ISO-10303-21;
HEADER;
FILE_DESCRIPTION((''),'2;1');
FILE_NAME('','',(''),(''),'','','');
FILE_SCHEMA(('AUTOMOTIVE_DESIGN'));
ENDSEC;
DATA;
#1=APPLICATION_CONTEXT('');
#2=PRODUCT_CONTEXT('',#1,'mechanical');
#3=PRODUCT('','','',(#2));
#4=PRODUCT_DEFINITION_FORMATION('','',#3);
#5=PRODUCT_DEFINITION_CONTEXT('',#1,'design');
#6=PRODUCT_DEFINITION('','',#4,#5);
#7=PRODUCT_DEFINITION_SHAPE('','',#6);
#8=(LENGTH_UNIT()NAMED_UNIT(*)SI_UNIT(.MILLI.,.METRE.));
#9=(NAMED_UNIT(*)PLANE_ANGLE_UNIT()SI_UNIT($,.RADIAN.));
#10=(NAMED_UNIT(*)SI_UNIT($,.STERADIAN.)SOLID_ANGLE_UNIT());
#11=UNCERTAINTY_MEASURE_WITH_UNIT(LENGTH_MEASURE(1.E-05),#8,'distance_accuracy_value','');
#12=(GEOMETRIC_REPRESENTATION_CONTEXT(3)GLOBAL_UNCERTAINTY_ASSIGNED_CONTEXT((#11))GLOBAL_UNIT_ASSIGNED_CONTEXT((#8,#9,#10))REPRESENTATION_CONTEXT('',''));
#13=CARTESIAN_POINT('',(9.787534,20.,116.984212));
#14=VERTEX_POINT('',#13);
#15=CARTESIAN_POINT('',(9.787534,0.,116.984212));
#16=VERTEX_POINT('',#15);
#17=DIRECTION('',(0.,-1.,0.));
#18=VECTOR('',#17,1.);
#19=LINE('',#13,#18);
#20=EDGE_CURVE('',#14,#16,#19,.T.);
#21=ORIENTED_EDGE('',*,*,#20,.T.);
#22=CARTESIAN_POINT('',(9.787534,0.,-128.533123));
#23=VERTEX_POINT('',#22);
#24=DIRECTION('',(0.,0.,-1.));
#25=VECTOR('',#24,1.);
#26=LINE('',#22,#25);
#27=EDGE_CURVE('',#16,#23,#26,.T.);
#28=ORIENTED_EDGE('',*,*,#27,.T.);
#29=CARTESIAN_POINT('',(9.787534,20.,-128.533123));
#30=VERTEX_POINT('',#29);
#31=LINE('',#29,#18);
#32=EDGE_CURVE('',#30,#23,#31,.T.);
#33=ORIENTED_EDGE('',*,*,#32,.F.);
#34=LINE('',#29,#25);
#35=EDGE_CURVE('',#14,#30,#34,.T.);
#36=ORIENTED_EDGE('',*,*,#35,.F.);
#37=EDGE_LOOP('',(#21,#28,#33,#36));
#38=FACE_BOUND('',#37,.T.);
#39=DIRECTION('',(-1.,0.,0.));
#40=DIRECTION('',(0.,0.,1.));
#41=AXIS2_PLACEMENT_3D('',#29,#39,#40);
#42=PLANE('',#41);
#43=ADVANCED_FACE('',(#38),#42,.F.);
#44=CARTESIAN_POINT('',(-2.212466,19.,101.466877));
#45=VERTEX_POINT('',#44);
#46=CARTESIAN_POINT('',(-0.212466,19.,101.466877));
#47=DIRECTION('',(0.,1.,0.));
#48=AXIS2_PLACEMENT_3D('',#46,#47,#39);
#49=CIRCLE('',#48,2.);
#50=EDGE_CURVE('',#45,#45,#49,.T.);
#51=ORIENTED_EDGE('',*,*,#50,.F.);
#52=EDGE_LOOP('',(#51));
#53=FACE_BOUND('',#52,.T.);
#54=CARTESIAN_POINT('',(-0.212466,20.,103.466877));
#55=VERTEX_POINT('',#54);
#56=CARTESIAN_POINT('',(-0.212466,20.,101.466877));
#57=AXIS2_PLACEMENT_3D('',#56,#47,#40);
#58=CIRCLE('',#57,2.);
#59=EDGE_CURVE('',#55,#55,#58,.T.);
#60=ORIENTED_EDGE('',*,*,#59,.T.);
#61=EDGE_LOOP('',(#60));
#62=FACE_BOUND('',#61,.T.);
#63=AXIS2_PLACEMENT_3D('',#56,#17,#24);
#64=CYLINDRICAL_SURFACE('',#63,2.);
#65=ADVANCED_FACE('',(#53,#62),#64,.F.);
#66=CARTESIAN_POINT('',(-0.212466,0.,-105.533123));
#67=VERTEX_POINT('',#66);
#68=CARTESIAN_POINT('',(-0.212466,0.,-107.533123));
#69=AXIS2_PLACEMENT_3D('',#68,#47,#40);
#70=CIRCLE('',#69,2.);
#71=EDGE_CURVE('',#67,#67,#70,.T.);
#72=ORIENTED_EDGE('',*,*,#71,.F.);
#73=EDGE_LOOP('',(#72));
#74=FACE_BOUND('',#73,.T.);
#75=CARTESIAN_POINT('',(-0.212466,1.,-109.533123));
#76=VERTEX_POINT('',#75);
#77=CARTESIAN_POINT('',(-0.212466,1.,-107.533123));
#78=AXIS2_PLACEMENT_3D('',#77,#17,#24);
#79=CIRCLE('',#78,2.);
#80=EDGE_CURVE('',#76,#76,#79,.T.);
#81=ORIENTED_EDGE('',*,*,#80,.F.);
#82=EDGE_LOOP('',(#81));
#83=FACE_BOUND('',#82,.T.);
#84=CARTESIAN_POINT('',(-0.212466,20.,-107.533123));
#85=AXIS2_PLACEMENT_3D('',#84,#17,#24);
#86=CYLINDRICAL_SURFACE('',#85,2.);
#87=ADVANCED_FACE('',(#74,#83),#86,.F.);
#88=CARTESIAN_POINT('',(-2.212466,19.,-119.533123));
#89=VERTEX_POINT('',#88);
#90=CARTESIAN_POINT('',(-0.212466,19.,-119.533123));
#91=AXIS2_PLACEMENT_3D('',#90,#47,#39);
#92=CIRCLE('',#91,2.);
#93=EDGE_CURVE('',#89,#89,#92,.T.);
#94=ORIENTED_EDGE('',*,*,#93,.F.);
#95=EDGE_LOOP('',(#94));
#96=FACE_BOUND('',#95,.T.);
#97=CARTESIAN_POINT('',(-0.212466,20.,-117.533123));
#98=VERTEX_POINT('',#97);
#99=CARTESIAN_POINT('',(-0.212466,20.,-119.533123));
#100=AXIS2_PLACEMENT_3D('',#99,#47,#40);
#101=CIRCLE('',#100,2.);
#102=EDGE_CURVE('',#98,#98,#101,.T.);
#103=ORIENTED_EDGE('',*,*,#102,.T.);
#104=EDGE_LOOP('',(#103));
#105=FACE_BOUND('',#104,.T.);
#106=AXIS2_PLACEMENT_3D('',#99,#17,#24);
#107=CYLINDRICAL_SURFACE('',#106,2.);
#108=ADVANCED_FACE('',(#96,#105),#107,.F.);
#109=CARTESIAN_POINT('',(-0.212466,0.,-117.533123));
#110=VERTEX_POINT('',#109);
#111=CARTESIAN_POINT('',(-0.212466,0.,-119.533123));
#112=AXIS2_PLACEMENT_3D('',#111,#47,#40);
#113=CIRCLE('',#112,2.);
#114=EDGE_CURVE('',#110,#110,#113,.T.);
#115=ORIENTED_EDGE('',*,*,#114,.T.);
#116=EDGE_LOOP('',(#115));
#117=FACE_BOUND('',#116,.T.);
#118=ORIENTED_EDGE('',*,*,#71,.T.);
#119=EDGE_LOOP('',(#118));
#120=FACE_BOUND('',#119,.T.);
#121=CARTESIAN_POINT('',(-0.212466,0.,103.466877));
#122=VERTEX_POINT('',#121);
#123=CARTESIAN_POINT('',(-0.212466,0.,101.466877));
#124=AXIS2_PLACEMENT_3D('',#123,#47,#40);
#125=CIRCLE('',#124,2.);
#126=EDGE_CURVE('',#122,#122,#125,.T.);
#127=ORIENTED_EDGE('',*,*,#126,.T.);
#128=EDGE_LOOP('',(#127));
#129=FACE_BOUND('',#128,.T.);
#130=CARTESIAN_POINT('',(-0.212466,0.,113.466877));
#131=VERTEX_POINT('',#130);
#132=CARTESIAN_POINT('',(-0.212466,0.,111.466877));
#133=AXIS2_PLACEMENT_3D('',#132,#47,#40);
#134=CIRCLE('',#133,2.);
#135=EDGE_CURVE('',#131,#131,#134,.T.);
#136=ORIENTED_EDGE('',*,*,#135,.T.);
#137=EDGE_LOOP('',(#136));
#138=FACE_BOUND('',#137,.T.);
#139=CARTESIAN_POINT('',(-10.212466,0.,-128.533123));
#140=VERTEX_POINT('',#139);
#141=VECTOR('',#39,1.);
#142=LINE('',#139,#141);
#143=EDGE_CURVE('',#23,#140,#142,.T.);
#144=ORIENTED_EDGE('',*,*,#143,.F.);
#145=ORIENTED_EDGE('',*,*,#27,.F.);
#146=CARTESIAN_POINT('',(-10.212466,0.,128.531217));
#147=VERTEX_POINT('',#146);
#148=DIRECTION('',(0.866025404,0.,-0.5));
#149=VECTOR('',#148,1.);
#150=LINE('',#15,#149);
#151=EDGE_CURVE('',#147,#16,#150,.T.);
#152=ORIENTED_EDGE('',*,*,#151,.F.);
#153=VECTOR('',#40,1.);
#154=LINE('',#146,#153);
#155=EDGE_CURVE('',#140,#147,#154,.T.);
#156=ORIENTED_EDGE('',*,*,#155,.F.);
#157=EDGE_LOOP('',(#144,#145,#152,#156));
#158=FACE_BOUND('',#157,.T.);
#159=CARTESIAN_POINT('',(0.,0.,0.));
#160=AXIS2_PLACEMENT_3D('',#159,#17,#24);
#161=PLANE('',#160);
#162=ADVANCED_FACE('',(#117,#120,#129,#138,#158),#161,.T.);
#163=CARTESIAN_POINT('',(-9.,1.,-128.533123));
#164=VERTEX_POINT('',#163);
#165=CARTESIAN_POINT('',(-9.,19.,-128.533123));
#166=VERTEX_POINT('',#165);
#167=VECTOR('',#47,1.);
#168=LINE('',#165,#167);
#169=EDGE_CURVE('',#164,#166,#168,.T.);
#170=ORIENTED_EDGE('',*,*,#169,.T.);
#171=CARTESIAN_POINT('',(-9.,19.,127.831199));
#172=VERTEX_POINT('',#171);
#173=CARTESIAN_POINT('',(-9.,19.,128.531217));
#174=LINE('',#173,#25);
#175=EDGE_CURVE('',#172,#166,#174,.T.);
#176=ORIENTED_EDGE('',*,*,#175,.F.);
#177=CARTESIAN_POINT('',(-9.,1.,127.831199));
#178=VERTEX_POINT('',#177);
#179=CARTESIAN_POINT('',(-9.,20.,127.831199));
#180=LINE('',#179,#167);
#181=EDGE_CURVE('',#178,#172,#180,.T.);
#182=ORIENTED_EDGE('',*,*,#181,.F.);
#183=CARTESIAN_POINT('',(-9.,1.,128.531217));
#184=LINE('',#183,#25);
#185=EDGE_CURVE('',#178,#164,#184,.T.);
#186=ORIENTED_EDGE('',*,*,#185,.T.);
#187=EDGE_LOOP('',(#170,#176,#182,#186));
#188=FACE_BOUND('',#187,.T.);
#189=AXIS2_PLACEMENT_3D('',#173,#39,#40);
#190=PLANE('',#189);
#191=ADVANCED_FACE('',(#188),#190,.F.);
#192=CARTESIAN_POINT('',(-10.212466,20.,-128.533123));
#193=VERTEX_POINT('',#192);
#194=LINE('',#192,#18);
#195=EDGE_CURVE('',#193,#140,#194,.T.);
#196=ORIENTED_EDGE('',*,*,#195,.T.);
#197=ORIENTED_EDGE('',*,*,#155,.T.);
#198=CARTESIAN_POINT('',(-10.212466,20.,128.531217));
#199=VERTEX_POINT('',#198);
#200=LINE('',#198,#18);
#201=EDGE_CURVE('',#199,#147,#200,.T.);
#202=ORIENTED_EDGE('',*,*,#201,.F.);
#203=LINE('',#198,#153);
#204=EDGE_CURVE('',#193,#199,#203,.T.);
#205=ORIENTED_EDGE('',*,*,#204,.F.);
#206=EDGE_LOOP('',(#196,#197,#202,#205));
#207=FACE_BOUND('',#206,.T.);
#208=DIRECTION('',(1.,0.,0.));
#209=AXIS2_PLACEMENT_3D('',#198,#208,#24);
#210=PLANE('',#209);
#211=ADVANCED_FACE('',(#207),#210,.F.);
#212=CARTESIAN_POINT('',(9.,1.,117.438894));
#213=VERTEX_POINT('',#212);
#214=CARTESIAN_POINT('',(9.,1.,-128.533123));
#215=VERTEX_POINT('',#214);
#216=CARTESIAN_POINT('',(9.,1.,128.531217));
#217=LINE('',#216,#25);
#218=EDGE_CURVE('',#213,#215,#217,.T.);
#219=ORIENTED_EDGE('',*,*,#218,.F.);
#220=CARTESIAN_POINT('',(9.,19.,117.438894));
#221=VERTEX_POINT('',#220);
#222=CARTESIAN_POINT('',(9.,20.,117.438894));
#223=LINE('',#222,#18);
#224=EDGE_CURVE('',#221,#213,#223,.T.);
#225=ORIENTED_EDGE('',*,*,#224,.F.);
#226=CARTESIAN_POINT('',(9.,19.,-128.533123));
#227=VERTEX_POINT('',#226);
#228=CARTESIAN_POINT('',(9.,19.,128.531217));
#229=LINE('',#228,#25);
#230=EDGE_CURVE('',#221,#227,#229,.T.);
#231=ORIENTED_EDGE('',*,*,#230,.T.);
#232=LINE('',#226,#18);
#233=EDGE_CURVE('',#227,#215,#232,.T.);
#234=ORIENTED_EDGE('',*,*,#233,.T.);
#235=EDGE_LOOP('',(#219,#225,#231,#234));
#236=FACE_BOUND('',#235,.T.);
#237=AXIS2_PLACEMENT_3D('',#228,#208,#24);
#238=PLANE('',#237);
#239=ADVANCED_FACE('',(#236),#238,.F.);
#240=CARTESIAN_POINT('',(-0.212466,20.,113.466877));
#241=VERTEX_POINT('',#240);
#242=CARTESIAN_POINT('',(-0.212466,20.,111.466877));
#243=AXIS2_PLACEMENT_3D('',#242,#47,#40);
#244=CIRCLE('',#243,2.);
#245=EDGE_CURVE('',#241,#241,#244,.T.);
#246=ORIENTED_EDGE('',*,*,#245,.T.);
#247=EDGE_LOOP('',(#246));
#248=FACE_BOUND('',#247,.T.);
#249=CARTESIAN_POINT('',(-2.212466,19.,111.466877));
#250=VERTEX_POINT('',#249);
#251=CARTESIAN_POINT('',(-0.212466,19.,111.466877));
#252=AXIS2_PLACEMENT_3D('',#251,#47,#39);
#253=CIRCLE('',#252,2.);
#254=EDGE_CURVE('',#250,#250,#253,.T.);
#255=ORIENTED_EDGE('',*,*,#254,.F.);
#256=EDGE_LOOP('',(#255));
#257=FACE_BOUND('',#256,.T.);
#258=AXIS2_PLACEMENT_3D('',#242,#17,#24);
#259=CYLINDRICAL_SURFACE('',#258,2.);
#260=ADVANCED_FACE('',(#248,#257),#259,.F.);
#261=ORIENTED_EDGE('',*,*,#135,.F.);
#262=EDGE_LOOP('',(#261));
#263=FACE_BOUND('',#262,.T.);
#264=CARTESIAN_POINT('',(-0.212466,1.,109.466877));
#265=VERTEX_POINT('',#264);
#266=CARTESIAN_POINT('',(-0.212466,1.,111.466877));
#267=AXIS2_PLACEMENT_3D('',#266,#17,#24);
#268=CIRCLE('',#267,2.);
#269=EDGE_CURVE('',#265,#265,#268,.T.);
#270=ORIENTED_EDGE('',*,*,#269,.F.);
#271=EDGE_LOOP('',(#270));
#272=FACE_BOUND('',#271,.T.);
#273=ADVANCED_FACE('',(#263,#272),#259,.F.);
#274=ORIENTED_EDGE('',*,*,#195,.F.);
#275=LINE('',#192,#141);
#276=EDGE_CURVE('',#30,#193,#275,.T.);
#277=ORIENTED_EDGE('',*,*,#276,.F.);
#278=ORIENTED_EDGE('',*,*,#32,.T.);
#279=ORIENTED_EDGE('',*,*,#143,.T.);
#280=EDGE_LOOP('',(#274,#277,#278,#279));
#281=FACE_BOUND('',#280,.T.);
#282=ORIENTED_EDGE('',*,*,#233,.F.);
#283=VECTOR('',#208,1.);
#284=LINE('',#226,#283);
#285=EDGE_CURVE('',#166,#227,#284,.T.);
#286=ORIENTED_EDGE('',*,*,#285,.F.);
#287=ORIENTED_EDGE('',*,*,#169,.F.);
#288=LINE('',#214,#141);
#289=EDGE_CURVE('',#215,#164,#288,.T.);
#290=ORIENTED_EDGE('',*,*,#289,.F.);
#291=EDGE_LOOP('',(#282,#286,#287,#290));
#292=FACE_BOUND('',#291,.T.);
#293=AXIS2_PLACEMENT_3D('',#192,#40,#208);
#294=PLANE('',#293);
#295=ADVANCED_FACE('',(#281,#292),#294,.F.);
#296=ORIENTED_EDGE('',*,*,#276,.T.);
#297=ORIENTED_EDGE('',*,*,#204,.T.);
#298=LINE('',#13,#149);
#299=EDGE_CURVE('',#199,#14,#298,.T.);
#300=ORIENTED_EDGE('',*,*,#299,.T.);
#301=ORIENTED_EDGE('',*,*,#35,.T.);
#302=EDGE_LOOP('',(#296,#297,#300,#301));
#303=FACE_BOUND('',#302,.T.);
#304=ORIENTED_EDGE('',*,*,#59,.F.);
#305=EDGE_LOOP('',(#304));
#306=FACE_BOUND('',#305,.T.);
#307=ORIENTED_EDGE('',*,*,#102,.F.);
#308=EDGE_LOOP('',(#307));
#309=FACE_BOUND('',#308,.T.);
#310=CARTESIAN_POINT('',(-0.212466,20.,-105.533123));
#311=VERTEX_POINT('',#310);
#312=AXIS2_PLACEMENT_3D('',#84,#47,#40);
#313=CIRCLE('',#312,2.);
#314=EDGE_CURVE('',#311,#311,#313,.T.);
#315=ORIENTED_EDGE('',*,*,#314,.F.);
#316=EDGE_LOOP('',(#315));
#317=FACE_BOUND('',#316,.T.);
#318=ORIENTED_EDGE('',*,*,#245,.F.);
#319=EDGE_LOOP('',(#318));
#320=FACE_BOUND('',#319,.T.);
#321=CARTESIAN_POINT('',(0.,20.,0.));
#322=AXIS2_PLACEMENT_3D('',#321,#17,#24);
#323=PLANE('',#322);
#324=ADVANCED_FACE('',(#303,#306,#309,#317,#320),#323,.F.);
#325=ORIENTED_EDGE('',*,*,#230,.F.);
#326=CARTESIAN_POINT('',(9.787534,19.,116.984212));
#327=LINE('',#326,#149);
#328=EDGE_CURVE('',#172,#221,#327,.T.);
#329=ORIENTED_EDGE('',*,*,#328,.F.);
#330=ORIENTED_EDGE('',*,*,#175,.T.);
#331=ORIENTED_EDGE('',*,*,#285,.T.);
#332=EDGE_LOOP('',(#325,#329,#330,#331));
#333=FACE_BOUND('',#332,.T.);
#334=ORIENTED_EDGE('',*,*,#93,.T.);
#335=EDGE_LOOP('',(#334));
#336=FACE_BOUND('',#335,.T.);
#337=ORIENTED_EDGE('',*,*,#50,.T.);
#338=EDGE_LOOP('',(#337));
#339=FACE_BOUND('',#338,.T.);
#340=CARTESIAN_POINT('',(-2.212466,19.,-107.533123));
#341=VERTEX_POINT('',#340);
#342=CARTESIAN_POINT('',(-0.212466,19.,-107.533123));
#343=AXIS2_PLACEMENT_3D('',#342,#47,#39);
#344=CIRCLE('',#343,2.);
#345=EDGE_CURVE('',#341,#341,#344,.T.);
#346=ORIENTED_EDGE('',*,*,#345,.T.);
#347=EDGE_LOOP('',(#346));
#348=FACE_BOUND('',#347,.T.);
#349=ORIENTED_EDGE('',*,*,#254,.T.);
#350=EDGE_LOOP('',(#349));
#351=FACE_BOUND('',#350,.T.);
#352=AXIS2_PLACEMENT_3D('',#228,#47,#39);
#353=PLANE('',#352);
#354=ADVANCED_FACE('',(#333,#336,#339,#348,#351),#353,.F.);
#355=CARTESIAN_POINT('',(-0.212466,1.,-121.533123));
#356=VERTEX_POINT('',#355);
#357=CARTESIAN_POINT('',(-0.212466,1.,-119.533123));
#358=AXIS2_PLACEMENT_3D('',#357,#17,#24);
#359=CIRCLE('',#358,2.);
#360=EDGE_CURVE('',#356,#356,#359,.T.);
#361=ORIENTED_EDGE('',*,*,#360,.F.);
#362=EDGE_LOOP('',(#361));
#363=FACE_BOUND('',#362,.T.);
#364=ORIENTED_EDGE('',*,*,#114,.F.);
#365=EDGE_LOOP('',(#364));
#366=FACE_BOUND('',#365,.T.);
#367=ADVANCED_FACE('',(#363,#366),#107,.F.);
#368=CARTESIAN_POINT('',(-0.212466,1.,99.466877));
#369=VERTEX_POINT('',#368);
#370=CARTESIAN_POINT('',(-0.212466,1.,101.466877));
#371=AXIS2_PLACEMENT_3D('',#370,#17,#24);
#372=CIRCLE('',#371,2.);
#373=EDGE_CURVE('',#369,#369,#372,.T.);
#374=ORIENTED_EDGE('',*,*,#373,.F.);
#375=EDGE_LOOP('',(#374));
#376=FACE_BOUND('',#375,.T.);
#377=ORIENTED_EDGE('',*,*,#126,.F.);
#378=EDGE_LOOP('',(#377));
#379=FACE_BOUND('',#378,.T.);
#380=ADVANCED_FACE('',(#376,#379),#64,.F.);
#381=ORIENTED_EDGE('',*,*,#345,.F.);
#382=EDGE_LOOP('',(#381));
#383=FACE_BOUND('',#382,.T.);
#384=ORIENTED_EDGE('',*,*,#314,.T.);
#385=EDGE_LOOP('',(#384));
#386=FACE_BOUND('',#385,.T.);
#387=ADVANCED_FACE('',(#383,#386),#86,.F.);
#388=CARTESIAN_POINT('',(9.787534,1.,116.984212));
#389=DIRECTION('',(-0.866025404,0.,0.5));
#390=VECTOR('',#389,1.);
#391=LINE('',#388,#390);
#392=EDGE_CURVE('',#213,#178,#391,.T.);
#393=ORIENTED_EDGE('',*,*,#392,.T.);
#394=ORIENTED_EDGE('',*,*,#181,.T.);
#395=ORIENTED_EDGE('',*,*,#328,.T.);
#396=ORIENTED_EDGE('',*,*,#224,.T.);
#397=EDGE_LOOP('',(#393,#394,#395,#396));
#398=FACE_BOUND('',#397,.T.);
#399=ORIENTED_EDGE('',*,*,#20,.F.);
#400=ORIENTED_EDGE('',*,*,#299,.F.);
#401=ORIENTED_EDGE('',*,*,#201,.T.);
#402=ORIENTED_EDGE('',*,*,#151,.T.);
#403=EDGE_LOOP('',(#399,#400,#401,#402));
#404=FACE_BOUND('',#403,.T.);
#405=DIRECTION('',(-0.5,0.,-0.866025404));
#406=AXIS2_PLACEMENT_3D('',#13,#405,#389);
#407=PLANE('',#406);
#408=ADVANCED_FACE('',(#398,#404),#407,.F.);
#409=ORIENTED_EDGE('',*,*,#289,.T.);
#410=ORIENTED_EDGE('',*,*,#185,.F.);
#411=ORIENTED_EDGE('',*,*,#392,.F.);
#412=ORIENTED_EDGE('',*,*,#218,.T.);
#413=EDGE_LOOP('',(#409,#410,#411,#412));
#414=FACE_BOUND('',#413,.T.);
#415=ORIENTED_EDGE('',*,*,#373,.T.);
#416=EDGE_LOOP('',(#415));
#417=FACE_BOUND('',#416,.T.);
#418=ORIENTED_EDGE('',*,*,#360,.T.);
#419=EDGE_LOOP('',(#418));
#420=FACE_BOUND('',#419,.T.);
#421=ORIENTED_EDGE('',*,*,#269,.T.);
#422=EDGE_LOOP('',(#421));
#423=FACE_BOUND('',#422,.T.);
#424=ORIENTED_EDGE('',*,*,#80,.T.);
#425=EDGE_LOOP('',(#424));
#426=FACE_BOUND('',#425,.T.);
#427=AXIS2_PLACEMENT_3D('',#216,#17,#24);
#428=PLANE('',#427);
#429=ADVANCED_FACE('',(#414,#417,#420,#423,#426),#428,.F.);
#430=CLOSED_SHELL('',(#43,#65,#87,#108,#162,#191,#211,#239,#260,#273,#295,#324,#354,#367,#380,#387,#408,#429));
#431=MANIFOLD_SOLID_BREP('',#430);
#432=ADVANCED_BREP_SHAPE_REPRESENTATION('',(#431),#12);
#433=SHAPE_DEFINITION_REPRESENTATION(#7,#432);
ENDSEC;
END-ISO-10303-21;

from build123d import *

# Parameters (mm, degrees)
SKETCH_1_R          = 2
EXTRUDE_1_DEPTH     = 20
SKETCH_2_W          = 18
SKETCH_2_H          = 18
CUT_EXTRUDE_1_DEPTH = 259.043348145


with BuildPart() as part:
    # 草图1 → 凸台-拉伸1 (new body)
    with BuildSketch(Plane(origin=(0, 0, 0), x_dir=(1, 0, 0), z_dir=(0, 1, 0))):
        Polygon((-10.212466243, 128.533123378), (9.787533757, 128.533123378), (9.787533757, -116.984211541), (-10.212466243, -128.531216924), align=None)
        with Locations(Location((-0.212466243, -111.466876622, 0), (0, 0, 270))):
            Circle(SKETCH_1_R, mode=Mode.SUBTRACT)
        with Locations(Location((-0.212466243, -101.466876622, 0), (0, 0, 270))):
            Circle(SKETCH_1_R, mode=Mode.SUBTRACT)
        with Locations(Location((-0.212466243, 107.533123378, 0), (0, 0, 270))):
            Circle(SKETCH_1_R, mode=Mode.SUBTRACT)
        with Locations(Location((-0.212466243, 119.533123378, 0), (0, 0, 270))):
            Circle(SKETCH_1_R, mode=Mode.SUBTRACT)
    extrude(amount=EXTRUDE_1_DEPTH)

    # 草图2 → 切除-拉伸1 (cut, through all)
    with BuildSketch(Plane(origin=(0, 0, -128.533123378), x_dir=(-1, 0, 0), z_dir=(0, 0, -1))):
        with Locations((0, 10)):
            Rectangle(SKETCH_2_W, SKETCH_2_H)
    extrude(amount=-CUT_EXTRUDE_1_DEPTH, mode=Mode.SUBTRACT)


solid = part.part
